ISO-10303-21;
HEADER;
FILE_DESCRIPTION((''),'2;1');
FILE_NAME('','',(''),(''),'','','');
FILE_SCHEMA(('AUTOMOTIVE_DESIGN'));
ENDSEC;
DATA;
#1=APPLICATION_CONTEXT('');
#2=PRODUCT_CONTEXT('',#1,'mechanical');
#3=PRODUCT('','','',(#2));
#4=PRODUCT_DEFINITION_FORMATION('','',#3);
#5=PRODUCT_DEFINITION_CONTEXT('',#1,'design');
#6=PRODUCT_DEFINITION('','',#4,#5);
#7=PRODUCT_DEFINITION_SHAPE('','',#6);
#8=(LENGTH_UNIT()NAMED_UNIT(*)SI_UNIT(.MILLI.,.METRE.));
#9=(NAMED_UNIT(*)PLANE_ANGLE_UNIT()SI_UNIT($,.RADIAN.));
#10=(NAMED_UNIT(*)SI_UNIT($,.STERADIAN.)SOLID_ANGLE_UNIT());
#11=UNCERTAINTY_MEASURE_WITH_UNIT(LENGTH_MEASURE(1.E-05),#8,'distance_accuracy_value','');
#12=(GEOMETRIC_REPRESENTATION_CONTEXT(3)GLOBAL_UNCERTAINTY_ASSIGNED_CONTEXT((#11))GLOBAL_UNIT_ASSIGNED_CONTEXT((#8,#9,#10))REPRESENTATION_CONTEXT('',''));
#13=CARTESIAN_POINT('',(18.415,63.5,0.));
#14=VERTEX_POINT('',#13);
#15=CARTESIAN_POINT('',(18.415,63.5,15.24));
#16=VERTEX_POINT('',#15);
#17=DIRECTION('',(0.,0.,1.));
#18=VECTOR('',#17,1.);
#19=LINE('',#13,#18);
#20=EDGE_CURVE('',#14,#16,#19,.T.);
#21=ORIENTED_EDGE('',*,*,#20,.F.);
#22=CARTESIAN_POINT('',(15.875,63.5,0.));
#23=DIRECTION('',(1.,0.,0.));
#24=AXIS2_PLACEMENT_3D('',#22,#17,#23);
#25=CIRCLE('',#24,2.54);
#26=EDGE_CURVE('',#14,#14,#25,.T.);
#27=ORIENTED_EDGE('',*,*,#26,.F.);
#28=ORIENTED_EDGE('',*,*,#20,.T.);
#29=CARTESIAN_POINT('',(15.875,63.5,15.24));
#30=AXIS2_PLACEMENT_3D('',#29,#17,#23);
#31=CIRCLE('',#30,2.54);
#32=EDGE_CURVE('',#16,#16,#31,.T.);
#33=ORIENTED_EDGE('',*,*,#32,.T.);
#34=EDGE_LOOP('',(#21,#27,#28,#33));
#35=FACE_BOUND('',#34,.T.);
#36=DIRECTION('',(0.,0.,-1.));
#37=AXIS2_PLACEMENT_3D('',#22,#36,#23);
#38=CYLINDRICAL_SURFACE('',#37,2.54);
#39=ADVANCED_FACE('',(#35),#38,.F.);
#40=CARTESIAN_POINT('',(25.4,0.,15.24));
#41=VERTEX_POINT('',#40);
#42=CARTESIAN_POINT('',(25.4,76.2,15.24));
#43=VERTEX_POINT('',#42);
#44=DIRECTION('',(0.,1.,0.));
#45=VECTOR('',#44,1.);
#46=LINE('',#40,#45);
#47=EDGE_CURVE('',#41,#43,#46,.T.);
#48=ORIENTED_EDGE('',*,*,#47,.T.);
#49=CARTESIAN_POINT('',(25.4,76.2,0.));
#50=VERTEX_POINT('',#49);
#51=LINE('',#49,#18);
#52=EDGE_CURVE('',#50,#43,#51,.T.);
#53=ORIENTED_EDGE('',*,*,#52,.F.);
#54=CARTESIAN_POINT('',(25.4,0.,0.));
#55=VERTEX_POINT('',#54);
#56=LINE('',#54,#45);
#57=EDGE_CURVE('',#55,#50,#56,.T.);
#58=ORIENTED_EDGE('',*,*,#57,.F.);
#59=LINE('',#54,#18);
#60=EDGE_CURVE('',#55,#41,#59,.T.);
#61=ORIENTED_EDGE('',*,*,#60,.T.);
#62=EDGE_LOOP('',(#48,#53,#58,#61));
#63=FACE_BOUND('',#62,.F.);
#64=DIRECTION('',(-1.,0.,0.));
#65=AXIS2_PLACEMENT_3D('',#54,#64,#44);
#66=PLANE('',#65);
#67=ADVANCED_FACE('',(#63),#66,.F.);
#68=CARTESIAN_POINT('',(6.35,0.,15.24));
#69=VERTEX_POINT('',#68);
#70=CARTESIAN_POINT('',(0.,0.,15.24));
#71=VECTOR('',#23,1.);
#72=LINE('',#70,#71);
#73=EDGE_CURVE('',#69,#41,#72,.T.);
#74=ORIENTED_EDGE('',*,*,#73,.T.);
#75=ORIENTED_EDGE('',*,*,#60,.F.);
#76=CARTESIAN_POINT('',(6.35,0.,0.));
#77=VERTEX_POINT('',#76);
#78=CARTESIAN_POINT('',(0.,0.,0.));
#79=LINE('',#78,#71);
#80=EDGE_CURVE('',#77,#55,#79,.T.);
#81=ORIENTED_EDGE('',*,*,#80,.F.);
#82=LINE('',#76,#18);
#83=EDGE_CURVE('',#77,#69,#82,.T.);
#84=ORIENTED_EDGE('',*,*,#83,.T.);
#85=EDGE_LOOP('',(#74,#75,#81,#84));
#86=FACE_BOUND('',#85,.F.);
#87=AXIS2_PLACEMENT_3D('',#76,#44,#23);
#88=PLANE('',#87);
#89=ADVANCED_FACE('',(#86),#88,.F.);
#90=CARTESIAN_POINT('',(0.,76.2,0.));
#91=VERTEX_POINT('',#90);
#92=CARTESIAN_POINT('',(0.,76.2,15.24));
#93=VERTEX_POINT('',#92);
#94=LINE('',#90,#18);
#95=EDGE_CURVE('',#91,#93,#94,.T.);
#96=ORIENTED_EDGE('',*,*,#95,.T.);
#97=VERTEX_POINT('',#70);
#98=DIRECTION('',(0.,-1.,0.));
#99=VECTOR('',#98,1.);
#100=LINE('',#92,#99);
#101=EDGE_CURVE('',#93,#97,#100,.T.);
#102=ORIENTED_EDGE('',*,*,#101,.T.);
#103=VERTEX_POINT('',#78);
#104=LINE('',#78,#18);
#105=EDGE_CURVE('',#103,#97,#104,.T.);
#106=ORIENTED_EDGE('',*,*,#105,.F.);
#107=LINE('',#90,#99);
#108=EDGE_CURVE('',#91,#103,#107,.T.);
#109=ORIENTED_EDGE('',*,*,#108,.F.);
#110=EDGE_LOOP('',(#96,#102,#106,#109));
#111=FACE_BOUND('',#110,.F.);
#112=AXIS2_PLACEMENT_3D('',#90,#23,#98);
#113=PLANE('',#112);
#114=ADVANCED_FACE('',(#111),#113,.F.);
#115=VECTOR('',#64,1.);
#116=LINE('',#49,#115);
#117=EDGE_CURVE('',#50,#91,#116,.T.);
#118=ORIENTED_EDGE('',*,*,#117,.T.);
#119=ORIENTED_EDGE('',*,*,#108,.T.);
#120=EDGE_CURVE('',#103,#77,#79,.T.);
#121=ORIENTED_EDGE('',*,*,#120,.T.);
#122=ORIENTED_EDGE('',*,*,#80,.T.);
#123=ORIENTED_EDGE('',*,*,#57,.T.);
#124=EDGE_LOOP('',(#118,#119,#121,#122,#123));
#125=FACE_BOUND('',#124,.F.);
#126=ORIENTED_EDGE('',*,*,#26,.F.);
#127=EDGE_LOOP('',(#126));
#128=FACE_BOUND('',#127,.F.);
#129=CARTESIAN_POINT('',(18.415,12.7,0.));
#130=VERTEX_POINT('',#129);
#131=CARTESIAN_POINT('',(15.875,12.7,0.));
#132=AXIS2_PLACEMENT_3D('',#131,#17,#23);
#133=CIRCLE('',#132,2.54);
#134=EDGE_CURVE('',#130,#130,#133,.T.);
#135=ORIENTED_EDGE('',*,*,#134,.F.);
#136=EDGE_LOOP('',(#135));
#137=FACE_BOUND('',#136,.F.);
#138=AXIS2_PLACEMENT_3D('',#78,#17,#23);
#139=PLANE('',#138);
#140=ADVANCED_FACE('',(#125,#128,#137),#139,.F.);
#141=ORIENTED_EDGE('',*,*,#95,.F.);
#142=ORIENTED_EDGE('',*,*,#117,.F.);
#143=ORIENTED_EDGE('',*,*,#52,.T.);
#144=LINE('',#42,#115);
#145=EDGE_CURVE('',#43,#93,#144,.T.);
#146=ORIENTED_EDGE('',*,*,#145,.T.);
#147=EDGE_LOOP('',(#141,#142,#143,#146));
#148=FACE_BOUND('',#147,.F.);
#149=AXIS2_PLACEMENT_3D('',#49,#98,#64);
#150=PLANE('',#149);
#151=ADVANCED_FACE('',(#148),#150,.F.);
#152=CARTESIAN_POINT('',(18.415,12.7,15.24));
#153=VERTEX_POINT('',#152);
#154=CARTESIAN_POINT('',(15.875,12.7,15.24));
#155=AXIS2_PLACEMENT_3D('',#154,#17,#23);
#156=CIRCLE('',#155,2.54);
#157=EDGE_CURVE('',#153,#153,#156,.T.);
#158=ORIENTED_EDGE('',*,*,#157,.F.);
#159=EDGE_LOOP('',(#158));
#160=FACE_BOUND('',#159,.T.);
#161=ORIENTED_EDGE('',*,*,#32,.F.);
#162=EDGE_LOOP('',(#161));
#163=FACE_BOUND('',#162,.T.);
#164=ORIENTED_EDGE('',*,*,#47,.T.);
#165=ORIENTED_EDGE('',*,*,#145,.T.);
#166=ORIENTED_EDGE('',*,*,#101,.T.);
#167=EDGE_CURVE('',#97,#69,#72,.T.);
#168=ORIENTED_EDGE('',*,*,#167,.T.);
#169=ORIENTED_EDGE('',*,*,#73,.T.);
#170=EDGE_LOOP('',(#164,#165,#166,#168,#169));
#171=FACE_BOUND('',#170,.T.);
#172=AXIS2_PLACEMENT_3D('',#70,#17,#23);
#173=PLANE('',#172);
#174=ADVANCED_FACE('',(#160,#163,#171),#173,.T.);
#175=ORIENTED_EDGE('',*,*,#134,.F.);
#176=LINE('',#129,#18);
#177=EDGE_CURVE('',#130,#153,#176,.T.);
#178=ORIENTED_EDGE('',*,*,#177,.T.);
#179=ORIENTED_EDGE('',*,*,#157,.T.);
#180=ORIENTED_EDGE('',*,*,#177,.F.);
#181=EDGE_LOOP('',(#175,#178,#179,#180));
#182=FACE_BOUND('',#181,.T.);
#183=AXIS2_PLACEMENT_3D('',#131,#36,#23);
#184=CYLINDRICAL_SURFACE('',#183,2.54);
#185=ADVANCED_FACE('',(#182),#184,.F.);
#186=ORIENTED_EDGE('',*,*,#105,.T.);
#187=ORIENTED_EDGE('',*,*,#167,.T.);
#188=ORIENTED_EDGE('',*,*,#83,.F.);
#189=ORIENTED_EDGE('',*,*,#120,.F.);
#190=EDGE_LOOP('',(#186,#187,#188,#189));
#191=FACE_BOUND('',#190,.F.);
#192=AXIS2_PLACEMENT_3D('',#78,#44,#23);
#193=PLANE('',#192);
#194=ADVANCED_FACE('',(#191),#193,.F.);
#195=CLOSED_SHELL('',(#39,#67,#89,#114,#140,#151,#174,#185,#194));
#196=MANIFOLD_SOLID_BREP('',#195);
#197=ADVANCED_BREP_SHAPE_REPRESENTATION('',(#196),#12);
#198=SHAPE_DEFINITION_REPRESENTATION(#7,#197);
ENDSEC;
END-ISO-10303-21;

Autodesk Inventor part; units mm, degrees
ref_plane "YZ Plane" through (0, 0, 0) normal (1, 0, 0) x (0, 1, 0)
ref_plane "XZ Plane" through (0, 0, 0) normal (0, 1, 0) x (-1, 0, 0)
ref_plane "XY Plane" through (0, 0, 0) normal (0, 0, 1) x (1, 0, 0)
sketch "Sketch1" plane through (0, 0, 0) normal (0, 0, 1) x (1, 0, 0)
  line L0 (0, 0) -> (25.4, 0)
  line L1 (25.4, 0) -> (25.4, 76.2)
  line L2 (25.4, 76.2) -> (0, 76.2)
  line L3 (0, 76.2) -> (0, 0)
  line L4 (0, 0) -> (6.35, 0)
  line L5 (6.35, 0) -> (6.35, 76.2) construction
  line L6 (6.35, 0) -> (25.4, 0)
  line L7 (15.875, 0) -> (15.875, 76.2) construction
  line L8 (15.875, 0) -> (15.875, 12.7) construction
  line L9 (15.875, 76.2) -> (15.875, 63.5) construction
  circle A0 centre (15.875, 12.7) radius 2.54
  circle A1 centre (15.875, 63.5) radius 2.54
  dimension "d0" = 25.4
  dimension "d1" = 76.2
  dimension "d2" = 6.35
  dimension "d3" = 12.7
  dimension "d4" = 12.7
  dimension "d5" = 5.08
extrude "Extrusion1" add sketch "Sketch1" along normal blind 15.24
properties part number "Beefy Spacer" material "Aluminum 6061"
